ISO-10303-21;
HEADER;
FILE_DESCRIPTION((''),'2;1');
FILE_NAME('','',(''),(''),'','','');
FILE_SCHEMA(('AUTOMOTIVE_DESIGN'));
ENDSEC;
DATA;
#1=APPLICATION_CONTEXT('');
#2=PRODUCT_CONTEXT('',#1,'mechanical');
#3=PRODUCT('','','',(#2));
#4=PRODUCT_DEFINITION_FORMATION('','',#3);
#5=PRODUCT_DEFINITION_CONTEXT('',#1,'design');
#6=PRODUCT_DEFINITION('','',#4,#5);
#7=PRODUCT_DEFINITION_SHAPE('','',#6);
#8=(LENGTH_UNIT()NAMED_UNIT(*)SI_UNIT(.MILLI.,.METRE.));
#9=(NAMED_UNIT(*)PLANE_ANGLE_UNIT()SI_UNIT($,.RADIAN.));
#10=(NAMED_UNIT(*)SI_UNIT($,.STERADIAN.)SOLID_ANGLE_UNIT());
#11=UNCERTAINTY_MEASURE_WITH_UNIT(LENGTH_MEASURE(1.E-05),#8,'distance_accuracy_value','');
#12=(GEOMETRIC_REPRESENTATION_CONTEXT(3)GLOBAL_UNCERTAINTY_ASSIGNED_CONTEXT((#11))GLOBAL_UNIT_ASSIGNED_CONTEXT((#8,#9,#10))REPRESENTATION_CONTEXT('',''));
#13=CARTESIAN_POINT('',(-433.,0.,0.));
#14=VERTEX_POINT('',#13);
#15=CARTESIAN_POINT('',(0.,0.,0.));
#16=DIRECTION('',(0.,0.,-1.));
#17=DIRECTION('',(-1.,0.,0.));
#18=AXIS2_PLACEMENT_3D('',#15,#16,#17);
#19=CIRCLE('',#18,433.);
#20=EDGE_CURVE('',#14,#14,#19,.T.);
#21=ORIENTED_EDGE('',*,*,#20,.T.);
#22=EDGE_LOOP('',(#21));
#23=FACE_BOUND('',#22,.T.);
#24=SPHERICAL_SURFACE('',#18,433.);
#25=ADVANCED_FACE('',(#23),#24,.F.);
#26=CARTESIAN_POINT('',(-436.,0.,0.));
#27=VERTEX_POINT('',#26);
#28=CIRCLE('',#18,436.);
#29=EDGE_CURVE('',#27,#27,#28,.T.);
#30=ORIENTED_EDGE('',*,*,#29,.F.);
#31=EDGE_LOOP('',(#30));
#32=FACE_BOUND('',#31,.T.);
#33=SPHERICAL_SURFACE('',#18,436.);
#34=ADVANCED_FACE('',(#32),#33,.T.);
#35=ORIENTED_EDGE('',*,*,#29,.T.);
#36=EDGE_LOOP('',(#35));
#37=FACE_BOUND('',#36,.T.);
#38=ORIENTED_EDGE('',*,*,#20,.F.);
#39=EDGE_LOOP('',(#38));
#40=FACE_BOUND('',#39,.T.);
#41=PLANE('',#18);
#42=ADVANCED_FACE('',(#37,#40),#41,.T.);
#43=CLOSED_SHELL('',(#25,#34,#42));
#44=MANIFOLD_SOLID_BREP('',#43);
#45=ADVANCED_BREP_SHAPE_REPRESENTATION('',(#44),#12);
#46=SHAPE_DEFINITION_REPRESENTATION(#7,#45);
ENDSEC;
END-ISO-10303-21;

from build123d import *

# Parameters (mm, degrees)
REVOLVE4_ANGLE = 180


with BuildPart() as part:
    # Sketch2 → Revolve4 (revolve)
    with BuildSketch(Plane.XY):
        with BuildLine():
            ThreePointArc((0, -436), (436, 0), (0, 436))
            Line((0, 436), (0, 433))
            ThreePointArc((0, 433), (433, 0), (0, -433))
            Line((0, -433), (0, -436))
        make_face()
    revolve(axis=Axis((0, 436, 0), (0, -1, 0)), revolution_arc=REVOLVE4_ANGLE)


solid = part.part
